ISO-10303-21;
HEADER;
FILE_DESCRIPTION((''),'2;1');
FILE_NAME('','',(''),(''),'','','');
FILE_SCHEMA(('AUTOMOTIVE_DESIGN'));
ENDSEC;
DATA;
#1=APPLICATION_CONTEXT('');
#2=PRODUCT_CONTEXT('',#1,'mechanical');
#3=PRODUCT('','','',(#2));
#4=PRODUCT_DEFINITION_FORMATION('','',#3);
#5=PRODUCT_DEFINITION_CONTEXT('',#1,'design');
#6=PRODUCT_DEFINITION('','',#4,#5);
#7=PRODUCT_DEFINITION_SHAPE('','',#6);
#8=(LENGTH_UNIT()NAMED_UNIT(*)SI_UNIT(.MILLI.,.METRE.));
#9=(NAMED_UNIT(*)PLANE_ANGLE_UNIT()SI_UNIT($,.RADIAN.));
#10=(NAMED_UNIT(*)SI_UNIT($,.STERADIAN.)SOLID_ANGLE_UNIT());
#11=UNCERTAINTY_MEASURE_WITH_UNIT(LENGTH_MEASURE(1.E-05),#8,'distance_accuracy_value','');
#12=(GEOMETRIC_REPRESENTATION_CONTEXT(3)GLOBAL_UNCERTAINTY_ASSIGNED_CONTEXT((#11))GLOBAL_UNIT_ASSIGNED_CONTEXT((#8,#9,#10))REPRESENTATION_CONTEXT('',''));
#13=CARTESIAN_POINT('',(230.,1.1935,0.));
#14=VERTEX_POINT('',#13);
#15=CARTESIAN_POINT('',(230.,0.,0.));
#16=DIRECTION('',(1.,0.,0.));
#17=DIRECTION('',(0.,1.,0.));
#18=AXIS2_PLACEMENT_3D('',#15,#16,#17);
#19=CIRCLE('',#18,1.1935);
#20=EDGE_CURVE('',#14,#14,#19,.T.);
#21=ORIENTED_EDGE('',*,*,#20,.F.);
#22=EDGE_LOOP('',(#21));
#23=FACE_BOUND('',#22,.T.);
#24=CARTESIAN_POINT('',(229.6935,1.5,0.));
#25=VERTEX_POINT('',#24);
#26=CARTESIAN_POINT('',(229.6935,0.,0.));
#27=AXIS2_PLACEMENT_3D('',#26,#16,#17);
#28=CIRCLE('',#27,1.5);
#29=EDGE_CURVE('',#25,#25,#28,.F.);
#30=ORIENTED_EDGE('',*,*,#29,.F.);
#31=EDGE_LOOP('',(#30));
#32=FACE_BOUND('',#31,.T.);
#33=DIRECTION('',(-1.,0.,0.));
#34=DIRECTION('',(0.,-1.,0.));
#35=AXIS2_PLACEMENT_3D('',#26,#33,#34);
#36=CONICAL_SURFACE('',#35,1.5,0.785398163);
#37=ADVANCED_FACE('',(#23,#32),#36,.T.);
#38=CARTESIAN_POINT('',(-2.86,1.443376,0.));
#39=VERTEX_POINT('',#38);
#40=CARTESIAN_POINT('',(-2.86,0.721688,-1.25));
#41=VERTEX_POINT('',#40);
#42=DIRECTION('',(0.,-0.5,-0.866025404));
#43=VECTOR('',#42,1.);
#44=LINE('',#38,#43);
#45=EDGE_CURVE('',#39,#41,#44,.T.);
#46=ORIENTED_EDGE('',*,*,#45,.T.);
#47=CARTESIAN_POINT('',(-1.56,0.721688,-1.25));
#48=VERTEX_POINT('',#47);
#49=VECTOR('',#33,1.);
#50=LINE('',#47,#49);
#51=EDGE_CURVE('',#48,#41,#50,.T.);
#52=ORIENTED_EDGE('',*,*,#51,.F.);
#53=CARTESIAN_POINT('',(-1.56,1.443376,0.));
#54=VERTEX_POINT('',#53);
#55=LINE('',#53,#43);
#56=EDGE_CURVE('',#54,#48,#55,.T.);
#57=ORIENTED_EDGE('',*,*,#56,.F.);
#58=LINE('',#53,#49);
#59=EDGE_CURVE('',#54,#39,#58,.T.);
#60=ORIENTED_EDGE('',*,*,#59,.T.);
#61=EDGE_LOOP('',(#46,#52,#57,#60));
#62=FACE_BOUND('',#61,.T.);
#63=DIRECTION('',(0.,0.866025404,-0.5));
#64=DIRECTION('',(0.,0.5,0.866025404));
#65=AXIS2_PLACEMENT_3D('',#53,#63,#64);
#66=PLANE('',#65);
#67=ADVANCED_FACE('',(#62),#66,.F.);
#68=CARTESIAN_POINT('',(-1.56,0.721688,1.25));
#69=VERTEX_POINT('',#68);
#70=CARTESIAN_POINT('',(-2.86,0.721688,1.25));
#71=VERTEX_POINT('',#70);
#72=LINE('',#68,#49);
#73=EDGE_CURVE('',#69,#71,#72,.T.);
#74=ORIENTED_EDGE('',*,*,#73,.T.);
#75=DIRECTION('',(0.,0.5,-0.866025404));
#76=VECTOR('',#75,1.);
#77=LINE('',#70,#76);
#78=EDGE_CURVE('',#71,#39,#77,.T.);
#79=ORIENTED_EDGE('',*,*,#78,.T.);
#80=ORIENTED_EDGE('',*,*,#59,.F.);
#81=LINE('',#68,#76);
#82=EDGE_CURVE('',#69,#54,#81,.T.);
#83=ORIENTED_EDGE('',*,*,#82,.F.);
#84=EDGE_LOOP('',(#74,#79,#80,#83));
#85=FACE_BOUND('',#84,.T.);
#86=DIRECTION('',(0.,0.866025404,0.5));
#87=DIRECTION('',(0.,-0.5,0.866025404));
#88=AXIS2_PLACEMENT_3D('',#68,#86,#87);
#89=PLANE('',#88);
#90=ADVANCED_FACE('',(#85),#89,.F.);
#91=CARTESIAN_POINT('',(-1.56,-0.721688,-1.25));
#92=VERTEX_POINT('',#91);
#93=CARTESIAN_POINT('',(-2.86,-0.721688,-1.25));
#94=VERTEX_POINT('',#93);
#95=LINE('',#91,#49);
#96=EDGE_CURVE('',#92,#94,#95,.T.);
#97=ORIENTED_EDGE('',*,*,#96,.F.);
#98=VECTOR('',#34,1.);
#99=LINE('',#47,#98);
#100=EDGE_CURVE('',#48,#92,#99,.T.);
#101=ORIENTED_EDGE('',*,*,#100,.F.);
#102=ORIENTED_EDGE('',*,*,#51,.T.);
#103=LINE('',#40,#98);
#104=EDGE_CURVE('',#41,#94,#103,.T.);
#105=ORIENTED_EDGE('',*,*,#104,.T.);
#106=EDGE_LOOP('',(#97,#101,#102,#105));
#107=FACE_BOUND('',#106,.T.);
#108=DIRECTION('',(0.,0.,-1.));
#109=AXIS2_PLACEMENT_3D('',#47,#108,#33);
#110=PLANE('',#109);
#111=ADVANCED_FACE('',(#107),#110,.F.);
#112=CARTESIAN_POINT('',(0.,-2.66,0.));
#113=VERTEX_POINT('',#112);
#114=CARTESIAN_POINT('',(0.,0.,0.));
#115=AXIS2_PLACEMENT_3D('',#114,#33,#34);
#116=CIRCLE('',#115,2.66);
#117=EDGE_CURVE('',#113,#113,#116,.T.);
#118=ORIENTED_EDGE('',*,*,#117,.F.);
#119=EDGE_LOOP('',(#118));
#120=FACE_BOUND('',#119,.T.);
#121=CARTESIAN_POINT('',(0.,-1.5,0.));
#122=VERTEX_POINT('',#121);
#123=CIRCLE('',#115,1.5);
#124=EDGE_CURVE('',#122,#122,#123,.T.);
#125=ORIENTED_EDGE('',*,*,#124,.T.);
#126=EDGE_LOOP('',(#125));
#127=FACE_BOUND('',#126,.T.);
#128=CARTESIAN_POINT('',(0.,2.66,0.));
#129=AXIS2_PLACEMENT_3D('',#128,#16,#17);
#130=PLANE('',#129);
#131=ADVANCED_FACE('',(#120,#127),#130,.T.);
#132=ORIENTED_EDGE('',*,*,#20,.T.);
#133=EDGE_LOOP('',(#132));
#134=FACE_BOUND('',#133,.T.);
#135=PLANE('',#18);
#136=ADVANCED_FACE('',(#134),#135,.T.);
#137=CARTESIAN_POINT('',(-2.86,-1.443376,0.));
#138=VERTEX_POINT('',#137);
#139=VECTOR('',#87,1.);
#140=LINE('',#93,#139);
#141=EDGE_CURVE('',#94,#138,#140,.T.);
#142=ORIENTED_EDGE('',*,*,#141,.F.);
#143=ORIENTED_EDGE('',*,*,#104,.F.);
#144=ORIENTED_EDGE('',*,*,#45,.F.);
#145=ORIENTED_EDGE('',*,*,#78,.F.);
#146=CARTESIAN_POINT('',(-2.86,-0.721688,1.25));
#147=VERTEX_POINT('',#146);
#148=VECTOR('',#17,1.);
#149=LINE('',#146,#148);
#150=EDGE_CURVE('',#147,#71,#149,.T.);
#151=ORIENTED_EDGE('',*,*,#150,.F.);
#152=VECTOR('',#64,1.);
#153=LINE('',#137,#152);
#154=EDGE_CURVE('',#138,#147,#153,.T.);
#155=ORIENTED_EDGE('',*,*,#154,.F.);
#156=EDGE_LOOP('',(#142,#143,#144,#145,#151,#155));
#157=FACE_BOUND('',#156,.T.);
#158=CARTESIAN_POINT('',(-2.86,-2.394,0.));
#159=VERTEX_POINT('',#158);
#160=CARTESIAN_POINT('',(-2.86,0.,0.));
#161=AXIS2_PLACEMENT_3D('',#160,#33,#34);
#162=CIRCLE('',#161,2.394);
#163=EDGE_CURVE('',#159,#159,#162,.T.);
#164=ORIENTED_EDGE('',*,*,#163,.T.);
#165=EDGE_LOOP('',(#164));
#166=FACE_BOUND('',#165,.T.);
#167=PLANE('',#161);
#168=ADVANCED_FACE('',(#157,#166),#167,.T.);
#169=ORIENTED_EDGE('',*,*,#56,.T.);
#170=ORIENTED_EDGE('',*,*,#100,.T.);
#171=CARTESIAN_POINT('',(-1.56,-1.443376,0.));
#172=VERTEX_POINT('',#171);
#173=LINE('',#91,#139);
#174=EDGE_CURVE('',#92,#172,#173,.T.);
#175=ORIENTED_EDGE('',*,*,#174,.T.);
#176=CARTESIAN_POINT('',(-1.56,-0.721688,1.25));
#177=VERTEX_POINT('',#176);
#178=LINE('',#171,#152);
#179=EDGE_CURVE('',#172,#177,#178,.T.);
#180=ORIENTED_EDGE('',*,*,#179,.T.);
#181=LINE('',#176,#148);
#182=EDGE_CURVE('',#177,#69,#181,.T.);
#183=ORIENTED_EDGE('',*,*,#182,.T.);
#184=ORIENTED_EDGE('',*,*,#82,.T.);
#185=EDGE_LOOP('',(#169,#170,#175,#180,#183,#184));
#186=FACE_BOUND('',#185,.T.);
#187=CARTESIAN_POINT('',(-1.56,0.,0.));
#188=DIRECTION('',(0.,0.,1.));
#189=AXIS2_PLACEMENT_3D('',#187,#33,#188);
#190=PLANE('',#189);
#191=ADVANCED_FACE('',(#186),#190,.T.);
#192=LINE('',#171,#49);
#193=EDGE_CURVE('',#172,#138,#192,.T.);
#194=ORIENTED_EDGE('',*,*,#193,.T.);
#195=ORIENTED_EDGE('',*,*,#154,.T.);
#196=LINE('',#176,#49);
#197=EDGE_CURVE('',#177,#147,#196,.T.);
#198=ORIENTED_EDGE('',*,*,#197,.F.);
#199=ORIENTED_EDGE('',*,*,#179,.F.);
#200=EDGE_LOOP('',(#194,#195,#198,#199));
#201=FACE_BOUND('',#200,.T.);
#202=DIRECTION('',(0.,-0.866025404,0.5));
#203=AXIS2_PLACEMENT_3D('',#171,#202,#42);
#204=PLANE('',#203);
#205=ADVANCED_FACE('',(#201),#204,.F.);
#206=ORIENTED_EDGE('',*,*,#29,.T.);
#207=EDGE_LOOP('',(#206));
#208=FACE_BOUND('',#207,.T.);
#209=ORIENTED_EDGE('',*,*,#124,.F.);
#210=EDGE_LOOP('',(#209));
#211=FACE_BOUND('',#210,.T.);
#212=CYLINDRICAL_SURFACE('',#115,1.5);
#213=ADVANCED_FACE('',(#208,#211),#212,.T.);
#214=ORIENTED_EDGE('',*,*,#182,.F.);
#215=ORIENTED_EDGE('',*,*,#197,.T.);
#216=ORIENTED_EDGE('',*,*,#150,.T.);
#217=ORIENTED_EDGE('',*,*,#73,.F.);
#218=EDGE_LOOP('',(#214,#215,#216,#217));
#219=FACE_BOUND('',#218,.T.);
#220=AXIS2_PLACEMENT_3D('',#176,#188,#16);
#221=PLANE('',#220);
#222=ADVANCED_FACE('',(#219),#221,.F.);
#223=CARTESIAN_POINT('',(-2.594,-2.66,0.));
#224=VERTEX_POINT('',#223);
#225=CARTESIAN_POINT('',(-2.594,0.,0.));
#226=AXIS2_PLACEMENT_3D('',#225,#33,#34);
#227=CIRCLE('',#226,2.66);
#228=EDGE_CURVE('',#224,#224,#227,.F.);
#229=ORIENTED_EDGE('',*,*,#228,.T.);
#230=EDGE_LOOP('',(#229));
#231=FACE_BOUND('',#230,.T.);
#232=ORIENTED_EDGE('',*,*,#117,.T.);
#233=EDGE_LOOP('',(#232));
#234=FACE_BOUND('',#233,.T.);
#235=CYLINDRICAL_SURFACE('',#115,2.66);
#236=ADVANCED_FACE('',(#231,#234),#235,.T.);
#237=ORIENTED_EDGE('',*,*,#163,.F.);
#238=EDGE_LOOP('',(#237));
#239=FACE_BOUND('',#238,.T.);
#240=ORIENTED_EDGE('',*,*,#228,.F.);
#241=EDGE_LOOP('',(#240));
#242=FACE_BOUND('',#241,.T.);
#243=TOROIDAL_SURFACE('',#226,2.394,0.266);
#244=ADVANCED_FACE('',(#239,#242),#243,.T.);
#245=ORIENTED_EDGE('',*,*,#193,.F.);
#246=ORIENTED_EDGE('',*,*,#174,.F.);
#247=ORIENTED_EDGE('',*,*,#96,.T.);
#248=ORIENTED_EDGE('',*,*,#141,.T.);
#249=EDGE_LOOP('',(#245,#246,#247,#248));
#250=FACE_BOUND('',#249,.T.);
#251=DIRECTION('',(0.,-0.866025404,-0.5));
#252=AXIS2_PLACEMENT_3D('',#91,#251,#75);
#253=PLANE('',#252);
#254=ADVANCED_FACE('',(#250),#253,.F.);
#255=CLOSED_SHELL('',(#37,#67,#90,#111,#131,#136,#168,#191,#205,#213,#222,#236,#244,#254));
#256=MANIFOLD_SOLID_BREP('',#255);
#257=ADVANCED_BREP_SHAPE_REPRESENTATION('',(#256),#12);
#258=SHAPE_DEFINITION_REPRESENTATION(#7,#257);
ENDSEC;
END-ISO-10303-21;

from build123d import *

# Parameters (mm, degrees)
CUT_EXTRUDE1_DEPTH = 1.3
FILLET1_R          = 0.266
CHAMFER2_SIZE      = 0.3065


with BuildPart() as part:
    # Sketch1 → Revolve1 (revolve)
    with BuildSketch(Plane(origin=(0, 0, 0), x_dir=(-1, 0, 0), z_dir=(0, 0, -1)), mode=Mode.PRIVATE) as revolve1_sk:
        Polygon((0, 0), (2.86, 0), (2.86, 2.66), (0, 2.66), (0, 1.5), (-230, 1.5), (-230, 0), align=None)
    revolve(revolve1_sk.sketch.rotate(Axis((0, 0, 0), (-1, 0, 0)), 180), axis=Axis((0, 0, 0), (-1, 0, 0)))

    # Sketch2 → Cut-Extrude1 (cut)
    with BuildSketch(Plane.ZY.offset(2.86)):
        Polygon((-1.25, -0.721687836), (0, -1.443375673), (1.25, -0.721687836), (1.25, 0.721687836), (0, 1.443375673), (-1.25, 0.721687836), align=None)
    extrude(amount=-CUT_EXTRUDE1_DEPTH, mode=Mode.SUBTRACT)

    # Fillet1
    fillet1_edges = [part.edges().sort_by_distance(p)[0] for p in [
        (-2.86, 2.66, 0),
    ]]
    fillet(fillet1_edges, radius=FILLET1_R)

    # Chamfer2
    chamfer2_edges = [part.edges().sort_by_distance(p)[0] for p in [
        (230, 1.5, 0),
    ]]
    chamfer(chamfer2_edges, length=CHAMFER2_SIZE)


solid = part.part
